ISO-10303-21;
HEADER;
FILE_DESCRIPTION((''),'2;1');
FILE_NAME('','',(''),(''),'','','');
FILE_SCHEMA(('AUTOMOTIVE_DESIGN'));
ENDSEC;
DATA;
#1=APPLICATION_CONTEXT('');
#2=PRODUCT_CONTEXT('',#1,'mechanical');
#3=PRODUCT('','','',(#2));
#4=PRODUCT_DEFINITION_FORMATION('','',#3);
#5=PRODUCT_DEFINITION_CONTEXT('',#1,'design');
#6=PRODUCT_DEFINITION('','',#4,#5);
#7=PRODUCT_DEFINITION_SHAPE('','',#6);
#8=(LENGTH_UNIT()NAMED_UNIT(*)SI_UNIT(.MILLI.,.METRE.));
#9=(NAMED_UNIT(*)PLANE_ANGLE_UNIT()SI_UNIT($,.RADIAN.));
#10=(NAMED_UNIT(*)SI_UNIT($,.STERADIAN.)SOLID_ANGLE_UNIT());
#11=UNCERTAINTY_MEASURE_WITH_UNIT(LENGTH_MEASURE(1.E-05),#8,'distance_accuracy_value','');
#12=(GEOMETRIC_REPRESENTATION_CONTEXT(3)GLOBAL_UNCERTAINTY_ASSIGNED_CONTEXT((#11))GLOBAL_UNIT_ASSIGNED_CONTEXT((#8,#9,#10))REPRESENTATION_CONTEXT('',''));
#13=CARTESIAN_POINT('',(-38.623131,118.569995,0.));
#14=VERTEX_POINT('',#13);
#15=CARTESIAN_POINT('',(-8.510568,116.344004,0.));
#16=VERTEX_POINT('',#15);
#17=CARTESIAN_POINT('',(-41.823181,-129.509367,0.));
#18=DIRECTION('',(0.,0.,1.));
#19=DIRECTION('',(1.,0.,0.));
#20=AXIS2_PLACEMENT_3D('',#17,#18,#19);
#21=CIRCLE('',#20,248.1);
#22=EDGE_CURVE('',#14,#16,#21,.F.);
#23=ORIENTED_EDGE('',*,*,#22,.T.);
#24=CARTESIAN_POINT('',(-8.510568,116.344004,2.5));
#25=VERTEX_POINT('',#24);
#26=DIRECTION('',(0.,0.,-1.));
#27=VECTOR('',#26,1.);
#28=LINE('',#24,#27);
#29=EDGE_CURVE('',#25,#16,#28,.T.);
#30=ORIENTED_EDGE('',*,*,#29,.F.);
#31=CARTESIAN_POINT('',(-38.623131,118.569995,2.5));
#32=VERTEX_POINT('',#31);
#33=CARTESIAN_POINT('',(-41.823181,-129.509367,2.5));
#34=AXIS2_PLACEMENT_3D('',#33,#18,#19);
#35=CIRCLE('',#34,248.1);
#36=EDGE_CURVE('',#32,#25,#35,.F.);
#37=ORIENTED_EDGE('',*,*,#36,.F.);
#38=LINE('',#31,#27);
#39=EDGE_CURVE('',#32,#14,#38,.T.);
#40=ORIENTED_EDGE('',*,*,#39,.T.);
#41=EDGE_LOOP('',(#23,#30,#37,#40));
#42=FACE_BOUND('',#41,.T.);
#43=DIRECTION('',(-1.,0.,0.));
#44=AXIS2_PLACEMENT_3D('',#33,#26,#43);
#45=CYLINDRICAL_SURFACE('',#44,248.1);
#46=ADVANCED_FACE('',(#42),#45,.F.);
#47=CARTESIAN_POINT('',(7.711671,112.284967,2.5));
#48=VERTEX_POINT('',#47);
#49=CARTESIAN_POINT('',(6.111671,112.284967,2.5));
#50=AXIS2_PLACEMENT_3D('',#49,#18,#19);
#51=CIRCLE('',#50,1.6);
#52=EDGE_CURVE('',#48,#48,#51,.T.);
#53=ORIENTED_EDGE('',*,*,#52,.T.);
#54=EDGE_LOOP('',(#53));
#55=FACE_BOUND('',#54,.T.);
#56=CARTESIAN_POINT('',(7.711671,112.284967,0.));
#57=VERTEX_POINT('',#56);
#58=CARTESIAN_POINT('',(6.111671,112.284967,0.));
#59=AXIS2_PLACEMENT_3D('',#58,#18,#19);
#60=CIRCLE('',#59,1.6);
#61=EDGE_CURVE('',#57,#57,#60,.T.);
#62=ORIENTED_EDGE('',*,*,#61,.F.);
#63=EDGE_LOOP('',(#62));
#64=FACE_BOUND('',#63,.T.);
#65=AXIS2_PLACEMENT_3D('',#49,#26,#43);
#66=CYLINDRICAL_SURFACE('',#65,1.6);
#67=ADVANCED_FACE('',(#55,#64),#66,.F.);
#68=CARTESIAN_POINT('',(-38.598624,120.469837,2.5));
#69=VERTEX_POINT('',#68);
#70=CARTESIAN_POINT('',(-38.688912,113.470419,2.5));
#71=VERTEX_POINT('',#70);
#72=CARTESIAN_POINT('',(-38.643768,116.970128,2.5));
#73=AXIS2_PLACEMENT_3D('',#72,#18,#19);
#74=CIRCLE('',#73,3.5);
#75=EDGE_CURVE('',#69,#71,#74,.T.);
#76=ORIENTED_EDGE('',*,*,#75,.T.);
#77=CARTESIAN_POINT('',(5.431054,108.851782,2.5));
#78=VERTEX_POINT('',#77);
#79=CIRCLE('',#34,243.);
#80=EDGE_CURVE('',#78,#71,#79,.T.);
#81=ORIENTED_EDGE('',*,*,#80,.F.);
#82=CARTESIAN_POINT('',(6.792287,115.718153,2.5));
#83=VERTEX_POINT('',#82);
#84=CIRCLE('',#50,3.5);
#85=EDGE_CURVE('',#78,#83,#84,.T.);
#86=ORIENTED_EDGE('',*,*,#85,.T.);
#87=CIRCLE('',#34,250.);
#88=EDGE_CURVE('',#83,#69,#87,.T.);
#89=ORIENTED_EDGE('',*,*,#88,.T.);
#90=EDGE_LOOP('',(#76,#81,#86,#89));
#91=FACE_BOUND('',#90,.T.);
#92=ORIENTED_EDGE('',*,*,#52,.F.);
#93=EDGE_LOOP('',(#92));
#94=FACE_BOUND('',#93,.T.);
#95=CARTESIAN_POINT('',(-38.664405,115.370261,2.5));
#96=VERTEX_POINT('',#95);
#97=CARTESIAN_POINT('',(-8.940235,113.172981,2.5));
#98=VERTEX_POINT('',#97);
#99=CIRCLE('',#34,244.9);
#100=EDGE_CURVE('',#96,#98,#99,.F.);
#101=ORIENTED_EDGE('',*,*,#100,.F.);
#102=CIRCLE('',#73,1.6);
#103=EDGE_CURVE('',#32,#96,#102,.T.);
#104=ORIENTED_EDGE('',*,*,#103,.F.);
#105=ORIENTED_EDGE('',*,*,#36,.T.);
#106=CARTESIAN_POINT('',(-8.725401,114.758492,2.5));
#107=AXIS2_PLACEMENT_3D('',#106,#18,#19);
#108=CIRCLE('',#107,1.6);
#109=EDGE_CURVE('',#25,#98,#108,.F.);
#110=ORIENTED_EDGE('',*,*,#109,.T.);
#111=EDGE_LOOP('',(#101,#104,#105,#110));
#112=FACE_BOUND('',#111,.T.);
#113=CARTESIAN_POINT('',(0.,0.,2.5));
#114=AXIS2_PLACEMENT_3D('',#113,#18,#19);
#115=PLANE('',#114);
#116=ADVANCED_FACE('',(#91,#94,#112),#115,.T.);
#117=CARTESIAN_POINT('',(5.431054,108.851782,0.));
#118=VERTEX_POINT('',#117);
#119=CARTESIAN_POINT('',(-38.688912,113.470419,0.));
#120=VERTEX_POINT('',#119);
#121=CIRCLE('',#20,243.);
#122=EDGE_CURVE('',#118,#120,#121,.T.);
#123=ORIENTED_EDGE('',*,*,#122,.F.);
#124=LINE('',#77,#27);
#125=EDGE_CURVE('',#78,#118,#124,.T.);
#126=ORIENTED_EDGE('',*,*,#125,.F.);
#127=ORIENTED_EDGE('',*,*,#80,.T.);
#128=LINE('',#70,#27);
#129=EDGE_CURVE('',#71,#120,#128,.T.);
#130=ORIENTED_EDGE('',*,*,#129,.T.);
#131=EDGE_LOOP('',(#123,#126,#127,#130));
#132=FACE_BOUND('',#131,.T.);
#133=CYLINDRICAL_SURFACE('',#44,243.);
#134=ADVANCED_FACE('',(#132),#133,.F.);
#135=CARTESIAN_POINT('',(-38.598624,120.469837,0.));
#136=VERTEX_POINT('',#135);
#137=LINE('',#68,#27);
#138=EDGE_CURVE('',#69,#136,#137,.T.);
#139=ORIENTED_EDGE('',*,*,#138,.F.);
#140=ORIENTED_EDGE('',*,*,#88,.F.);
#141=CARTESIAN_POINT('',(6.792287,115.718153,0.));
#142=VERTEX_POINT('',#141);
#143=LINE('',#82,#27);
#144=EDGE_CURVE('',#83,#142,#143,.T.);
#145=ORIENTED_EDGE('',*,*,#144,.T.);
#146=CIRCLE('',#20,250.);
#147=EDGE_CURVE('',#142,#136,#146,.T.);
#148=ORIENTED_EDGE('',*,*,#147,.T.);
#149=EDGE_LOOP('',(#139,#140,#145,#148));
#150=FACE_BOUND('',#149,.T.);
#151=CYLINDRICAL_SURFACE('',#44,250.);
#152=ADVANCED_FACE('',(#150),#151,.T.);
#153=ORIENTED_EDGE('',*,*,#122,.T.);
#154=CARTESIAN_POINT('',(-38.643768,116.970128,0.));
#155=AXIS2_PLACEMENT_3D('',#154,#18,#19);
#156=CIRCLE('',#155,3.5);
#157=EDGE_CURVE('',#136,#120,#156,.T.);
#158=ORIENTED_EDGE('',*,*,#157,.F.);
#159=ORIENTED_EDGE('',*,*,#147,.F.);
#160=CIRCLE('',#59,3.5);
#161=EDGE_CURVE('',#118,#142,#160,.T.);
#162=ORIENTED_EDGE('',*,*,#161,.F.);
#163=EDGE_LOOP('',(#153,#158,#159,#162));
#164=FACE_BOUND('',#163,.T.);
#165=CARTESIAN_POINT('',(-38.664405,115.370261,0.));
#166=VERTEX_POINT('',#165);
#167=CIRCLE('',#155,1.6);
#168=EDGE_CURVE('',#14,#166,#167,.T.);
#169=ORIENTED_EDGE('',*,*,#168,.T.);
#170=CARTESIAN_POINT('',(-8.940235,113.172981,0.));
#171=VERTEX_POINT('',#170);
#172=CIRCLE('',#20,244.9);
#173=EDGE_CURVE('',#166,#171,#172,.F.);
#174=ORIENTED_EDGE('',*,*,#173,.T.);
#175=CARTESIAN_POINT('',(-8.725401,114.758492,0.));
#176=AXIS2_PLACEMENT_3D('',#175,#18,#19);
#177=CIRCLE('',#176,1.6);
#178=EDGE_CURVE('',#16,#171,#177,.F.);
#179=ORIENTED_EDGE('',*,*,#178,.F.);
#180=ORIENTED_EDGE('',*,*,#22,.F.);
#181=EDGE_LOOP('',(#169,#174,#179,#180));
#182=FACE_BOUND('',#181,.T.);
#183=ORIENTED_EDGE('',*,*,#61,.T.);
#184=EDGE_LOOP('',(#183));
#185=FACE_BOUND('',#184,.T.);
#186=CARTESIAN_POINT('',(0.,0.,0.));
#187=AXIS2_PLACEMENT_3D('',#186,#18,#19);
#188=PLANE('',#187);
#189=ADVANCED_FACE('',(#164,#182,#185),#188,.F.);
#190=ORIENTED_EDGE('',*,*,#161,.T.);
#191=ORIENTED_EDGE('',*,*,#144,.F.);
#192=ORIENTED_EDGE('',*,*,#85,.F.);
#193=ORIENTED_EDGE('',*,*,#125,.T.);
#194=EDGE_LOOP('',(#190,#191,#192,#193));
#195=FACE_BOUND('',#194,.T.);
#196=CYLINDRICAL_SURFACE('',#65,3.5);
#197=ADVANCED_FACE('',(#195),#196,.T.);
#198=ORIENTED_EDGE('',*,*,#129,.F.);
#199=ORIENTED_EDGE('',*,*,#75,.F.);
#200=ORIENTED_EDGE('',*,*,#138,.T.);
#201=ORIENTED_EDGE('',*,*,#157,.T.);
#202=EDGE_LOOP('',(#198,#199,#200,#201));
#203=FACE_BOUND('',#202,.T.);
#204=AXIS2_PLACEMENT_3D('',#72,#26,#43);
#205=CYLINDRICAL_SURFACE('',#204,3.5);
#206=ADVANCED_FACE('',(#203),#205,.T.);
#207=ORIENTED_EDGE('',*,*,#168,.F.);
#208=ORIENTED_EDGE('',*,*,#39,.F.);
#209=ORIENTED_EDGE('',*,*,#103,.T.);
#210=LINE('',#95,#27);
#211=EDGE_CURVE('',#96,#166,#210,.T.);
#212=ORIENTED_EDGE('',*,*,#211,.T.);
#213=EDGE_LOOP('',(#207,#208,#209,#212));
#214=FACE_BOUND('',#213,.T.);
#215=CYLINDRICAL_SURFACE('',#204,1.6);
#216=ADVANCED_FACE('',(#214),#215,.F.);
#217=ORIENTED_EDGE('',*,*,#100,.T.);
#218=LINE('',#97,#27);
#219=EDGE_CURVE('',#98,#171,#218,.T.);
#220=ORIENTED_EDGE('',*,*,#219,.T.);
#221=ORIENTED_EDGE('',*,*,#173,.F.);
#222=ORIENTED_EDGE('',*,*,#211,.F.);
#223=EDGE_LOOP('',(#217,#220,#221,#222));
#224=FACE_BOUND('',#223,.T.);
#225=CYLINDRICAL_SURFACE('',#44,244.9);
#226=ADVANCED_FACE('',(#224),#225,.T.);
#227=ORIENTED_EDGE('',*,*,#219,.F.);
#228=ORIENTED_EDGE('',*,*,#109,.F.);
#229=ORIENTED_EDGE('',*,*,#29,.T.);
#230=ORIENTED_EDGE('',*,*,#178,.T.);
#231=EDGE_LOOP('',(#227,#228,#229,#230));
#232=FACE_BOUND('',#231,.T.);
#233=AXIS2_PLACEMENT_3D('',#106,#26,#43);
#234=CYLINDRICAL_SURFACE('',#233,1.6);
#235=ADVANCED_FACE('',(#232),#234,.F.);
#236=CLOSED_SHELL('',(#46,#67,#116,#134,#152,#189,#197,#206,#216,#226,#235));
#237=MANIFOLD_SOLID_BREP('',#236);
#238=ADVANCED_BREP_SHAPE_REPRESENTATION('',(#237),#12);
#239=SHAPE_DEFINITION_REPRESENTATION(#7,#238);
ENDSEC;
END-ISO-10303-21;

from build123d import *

# Parameters (mm, degrees)
BOSS_EXTRUDE1_DEPTH = 2.5


with BuildPart() as part:
    # Sketch1 → Boss-Extrude1 (new body)
    with BuildSketch(Plane.XY):
        with BuildLine():
            ThreePointArc((-8.510567712, 116.344003682), (-2.565917232, 115.465075188), (3.355702363, 114.442428619))
            ThreePointArc((3.355702363, 114.442428619), (4.893623339, 115.566180636), (6.792287095, 115.718152566))
            ThreePointArc((6.792287095, 115.718152566), (-15.794510782, 119.131957807), (-38.598624107, 120.46983672))
            ThreePointArc((-38.598624107, 120.46983672), (-42.143476749, 117.015271661), (-38.68891169, 113.470419019))
            ThreePointArc((-38.68891169, 113.470419019), (-16.523313538, 112.170000716), (5.431053998, 108.851782021))
            ThreePointArc((5.431053998, 108.851782021), (3.750229497, 109.701636852), (2.753244442, 111.299587114))
            ThreePointArc((2.753244442, 111.299587114), (-3.082169507, 112.306976764), (-8.940234626, 113.172980765))
            ThreePointArc((-8.940234626, 113.172980765), (-23.768861657, 114.724233518), (-38.66440506, 115.370260966))
            ThreePointArc((-38.66440506, 115.370260966), (-40.243634801, 116.990765031), (-38.623130736, 118.569994772))
            ThreePointArc((-38.623130736, 118.569994772), (-23.532953855, 117.915525969), (-8.510567712, 116.344003682))
        make_face()
        with BuildLine():
            ThreePointArc((6.42280954, 113.854423418), (7.348162032, 113.300392724), (7.711670546, 112.284967294))
            ThreePointArc((7.711670546, 112.284967294), (7.127095977, 111.048475808), (5.800531553, 110.715511169))
            ThreePointArc((5.800531553, 110.715511169), (4.277812999, 111.012375136), (2.753244442, 111.299587114))
            ThreePointArc((2.753244442, 111.299587114), (3.750229497, 109.701636852), (5.431053998, 108.851782021))
            ThreePointArc((5.431053998, 108.851782021), (8.332913676, 109.580142168), (9.611670546, 112.284967294))
            ThreePointArc((9.611670546, 112.284967294), (8.816495672, 114.506210423), (6.792287095, 115.718152566))
            ThreePointArc((6.792287095, 115.718152566), (4.893623339, 115.566180636), (3.355702363, 114.442428619))
            ThreePointArc((3.355702363, 114.442428619), (4.890181151, 114.153251974), (6.42280954, 113.854423418))
        make_face()
        with BuildLine():
            ThreePointArc((5.800531553, 110.715511169), (4.542214422, 112.596106287), (6.42280954, 113.854423418))
            ThreePointArc((6.42280954, 113.854423418), (4.890181151, 114.153251974), (3.355702363, 114.442428619))
            ThreePointArc((3.355702363, 114.442428619), (2.674256175, 112.943892509), (2.753244442, 111.299587114))
            ThreePointArc((2.753244442, 111.299587114), (4.277812999, 111.012375136), (5.800531553, 110.715511169))
        make_face()
        with BuildLine():
            ThreePointArc((2.753244442, 111.299587114), (2.674256175, 112.943892509), (3.355702363, 114.442428619))
            ThreePointArc((3.355702363, 114.442428619), (-2.565917232, 115.465075188), (-8.510567712, 116.344003682))
            ThreePointArc((-8.510567712, 116.344003682), (-7.13988971, 114.543658766), (-8.940234626, 113.172980765))
            ThreePointArc((-8.940234626, 113.172980765), (-3.082169507, 112.306976764), (2.753244442, 111.299587114))
        make_face()
    extrude(amount=BOSS_EXTRUDE1_DEPTH)


solid = part.part
